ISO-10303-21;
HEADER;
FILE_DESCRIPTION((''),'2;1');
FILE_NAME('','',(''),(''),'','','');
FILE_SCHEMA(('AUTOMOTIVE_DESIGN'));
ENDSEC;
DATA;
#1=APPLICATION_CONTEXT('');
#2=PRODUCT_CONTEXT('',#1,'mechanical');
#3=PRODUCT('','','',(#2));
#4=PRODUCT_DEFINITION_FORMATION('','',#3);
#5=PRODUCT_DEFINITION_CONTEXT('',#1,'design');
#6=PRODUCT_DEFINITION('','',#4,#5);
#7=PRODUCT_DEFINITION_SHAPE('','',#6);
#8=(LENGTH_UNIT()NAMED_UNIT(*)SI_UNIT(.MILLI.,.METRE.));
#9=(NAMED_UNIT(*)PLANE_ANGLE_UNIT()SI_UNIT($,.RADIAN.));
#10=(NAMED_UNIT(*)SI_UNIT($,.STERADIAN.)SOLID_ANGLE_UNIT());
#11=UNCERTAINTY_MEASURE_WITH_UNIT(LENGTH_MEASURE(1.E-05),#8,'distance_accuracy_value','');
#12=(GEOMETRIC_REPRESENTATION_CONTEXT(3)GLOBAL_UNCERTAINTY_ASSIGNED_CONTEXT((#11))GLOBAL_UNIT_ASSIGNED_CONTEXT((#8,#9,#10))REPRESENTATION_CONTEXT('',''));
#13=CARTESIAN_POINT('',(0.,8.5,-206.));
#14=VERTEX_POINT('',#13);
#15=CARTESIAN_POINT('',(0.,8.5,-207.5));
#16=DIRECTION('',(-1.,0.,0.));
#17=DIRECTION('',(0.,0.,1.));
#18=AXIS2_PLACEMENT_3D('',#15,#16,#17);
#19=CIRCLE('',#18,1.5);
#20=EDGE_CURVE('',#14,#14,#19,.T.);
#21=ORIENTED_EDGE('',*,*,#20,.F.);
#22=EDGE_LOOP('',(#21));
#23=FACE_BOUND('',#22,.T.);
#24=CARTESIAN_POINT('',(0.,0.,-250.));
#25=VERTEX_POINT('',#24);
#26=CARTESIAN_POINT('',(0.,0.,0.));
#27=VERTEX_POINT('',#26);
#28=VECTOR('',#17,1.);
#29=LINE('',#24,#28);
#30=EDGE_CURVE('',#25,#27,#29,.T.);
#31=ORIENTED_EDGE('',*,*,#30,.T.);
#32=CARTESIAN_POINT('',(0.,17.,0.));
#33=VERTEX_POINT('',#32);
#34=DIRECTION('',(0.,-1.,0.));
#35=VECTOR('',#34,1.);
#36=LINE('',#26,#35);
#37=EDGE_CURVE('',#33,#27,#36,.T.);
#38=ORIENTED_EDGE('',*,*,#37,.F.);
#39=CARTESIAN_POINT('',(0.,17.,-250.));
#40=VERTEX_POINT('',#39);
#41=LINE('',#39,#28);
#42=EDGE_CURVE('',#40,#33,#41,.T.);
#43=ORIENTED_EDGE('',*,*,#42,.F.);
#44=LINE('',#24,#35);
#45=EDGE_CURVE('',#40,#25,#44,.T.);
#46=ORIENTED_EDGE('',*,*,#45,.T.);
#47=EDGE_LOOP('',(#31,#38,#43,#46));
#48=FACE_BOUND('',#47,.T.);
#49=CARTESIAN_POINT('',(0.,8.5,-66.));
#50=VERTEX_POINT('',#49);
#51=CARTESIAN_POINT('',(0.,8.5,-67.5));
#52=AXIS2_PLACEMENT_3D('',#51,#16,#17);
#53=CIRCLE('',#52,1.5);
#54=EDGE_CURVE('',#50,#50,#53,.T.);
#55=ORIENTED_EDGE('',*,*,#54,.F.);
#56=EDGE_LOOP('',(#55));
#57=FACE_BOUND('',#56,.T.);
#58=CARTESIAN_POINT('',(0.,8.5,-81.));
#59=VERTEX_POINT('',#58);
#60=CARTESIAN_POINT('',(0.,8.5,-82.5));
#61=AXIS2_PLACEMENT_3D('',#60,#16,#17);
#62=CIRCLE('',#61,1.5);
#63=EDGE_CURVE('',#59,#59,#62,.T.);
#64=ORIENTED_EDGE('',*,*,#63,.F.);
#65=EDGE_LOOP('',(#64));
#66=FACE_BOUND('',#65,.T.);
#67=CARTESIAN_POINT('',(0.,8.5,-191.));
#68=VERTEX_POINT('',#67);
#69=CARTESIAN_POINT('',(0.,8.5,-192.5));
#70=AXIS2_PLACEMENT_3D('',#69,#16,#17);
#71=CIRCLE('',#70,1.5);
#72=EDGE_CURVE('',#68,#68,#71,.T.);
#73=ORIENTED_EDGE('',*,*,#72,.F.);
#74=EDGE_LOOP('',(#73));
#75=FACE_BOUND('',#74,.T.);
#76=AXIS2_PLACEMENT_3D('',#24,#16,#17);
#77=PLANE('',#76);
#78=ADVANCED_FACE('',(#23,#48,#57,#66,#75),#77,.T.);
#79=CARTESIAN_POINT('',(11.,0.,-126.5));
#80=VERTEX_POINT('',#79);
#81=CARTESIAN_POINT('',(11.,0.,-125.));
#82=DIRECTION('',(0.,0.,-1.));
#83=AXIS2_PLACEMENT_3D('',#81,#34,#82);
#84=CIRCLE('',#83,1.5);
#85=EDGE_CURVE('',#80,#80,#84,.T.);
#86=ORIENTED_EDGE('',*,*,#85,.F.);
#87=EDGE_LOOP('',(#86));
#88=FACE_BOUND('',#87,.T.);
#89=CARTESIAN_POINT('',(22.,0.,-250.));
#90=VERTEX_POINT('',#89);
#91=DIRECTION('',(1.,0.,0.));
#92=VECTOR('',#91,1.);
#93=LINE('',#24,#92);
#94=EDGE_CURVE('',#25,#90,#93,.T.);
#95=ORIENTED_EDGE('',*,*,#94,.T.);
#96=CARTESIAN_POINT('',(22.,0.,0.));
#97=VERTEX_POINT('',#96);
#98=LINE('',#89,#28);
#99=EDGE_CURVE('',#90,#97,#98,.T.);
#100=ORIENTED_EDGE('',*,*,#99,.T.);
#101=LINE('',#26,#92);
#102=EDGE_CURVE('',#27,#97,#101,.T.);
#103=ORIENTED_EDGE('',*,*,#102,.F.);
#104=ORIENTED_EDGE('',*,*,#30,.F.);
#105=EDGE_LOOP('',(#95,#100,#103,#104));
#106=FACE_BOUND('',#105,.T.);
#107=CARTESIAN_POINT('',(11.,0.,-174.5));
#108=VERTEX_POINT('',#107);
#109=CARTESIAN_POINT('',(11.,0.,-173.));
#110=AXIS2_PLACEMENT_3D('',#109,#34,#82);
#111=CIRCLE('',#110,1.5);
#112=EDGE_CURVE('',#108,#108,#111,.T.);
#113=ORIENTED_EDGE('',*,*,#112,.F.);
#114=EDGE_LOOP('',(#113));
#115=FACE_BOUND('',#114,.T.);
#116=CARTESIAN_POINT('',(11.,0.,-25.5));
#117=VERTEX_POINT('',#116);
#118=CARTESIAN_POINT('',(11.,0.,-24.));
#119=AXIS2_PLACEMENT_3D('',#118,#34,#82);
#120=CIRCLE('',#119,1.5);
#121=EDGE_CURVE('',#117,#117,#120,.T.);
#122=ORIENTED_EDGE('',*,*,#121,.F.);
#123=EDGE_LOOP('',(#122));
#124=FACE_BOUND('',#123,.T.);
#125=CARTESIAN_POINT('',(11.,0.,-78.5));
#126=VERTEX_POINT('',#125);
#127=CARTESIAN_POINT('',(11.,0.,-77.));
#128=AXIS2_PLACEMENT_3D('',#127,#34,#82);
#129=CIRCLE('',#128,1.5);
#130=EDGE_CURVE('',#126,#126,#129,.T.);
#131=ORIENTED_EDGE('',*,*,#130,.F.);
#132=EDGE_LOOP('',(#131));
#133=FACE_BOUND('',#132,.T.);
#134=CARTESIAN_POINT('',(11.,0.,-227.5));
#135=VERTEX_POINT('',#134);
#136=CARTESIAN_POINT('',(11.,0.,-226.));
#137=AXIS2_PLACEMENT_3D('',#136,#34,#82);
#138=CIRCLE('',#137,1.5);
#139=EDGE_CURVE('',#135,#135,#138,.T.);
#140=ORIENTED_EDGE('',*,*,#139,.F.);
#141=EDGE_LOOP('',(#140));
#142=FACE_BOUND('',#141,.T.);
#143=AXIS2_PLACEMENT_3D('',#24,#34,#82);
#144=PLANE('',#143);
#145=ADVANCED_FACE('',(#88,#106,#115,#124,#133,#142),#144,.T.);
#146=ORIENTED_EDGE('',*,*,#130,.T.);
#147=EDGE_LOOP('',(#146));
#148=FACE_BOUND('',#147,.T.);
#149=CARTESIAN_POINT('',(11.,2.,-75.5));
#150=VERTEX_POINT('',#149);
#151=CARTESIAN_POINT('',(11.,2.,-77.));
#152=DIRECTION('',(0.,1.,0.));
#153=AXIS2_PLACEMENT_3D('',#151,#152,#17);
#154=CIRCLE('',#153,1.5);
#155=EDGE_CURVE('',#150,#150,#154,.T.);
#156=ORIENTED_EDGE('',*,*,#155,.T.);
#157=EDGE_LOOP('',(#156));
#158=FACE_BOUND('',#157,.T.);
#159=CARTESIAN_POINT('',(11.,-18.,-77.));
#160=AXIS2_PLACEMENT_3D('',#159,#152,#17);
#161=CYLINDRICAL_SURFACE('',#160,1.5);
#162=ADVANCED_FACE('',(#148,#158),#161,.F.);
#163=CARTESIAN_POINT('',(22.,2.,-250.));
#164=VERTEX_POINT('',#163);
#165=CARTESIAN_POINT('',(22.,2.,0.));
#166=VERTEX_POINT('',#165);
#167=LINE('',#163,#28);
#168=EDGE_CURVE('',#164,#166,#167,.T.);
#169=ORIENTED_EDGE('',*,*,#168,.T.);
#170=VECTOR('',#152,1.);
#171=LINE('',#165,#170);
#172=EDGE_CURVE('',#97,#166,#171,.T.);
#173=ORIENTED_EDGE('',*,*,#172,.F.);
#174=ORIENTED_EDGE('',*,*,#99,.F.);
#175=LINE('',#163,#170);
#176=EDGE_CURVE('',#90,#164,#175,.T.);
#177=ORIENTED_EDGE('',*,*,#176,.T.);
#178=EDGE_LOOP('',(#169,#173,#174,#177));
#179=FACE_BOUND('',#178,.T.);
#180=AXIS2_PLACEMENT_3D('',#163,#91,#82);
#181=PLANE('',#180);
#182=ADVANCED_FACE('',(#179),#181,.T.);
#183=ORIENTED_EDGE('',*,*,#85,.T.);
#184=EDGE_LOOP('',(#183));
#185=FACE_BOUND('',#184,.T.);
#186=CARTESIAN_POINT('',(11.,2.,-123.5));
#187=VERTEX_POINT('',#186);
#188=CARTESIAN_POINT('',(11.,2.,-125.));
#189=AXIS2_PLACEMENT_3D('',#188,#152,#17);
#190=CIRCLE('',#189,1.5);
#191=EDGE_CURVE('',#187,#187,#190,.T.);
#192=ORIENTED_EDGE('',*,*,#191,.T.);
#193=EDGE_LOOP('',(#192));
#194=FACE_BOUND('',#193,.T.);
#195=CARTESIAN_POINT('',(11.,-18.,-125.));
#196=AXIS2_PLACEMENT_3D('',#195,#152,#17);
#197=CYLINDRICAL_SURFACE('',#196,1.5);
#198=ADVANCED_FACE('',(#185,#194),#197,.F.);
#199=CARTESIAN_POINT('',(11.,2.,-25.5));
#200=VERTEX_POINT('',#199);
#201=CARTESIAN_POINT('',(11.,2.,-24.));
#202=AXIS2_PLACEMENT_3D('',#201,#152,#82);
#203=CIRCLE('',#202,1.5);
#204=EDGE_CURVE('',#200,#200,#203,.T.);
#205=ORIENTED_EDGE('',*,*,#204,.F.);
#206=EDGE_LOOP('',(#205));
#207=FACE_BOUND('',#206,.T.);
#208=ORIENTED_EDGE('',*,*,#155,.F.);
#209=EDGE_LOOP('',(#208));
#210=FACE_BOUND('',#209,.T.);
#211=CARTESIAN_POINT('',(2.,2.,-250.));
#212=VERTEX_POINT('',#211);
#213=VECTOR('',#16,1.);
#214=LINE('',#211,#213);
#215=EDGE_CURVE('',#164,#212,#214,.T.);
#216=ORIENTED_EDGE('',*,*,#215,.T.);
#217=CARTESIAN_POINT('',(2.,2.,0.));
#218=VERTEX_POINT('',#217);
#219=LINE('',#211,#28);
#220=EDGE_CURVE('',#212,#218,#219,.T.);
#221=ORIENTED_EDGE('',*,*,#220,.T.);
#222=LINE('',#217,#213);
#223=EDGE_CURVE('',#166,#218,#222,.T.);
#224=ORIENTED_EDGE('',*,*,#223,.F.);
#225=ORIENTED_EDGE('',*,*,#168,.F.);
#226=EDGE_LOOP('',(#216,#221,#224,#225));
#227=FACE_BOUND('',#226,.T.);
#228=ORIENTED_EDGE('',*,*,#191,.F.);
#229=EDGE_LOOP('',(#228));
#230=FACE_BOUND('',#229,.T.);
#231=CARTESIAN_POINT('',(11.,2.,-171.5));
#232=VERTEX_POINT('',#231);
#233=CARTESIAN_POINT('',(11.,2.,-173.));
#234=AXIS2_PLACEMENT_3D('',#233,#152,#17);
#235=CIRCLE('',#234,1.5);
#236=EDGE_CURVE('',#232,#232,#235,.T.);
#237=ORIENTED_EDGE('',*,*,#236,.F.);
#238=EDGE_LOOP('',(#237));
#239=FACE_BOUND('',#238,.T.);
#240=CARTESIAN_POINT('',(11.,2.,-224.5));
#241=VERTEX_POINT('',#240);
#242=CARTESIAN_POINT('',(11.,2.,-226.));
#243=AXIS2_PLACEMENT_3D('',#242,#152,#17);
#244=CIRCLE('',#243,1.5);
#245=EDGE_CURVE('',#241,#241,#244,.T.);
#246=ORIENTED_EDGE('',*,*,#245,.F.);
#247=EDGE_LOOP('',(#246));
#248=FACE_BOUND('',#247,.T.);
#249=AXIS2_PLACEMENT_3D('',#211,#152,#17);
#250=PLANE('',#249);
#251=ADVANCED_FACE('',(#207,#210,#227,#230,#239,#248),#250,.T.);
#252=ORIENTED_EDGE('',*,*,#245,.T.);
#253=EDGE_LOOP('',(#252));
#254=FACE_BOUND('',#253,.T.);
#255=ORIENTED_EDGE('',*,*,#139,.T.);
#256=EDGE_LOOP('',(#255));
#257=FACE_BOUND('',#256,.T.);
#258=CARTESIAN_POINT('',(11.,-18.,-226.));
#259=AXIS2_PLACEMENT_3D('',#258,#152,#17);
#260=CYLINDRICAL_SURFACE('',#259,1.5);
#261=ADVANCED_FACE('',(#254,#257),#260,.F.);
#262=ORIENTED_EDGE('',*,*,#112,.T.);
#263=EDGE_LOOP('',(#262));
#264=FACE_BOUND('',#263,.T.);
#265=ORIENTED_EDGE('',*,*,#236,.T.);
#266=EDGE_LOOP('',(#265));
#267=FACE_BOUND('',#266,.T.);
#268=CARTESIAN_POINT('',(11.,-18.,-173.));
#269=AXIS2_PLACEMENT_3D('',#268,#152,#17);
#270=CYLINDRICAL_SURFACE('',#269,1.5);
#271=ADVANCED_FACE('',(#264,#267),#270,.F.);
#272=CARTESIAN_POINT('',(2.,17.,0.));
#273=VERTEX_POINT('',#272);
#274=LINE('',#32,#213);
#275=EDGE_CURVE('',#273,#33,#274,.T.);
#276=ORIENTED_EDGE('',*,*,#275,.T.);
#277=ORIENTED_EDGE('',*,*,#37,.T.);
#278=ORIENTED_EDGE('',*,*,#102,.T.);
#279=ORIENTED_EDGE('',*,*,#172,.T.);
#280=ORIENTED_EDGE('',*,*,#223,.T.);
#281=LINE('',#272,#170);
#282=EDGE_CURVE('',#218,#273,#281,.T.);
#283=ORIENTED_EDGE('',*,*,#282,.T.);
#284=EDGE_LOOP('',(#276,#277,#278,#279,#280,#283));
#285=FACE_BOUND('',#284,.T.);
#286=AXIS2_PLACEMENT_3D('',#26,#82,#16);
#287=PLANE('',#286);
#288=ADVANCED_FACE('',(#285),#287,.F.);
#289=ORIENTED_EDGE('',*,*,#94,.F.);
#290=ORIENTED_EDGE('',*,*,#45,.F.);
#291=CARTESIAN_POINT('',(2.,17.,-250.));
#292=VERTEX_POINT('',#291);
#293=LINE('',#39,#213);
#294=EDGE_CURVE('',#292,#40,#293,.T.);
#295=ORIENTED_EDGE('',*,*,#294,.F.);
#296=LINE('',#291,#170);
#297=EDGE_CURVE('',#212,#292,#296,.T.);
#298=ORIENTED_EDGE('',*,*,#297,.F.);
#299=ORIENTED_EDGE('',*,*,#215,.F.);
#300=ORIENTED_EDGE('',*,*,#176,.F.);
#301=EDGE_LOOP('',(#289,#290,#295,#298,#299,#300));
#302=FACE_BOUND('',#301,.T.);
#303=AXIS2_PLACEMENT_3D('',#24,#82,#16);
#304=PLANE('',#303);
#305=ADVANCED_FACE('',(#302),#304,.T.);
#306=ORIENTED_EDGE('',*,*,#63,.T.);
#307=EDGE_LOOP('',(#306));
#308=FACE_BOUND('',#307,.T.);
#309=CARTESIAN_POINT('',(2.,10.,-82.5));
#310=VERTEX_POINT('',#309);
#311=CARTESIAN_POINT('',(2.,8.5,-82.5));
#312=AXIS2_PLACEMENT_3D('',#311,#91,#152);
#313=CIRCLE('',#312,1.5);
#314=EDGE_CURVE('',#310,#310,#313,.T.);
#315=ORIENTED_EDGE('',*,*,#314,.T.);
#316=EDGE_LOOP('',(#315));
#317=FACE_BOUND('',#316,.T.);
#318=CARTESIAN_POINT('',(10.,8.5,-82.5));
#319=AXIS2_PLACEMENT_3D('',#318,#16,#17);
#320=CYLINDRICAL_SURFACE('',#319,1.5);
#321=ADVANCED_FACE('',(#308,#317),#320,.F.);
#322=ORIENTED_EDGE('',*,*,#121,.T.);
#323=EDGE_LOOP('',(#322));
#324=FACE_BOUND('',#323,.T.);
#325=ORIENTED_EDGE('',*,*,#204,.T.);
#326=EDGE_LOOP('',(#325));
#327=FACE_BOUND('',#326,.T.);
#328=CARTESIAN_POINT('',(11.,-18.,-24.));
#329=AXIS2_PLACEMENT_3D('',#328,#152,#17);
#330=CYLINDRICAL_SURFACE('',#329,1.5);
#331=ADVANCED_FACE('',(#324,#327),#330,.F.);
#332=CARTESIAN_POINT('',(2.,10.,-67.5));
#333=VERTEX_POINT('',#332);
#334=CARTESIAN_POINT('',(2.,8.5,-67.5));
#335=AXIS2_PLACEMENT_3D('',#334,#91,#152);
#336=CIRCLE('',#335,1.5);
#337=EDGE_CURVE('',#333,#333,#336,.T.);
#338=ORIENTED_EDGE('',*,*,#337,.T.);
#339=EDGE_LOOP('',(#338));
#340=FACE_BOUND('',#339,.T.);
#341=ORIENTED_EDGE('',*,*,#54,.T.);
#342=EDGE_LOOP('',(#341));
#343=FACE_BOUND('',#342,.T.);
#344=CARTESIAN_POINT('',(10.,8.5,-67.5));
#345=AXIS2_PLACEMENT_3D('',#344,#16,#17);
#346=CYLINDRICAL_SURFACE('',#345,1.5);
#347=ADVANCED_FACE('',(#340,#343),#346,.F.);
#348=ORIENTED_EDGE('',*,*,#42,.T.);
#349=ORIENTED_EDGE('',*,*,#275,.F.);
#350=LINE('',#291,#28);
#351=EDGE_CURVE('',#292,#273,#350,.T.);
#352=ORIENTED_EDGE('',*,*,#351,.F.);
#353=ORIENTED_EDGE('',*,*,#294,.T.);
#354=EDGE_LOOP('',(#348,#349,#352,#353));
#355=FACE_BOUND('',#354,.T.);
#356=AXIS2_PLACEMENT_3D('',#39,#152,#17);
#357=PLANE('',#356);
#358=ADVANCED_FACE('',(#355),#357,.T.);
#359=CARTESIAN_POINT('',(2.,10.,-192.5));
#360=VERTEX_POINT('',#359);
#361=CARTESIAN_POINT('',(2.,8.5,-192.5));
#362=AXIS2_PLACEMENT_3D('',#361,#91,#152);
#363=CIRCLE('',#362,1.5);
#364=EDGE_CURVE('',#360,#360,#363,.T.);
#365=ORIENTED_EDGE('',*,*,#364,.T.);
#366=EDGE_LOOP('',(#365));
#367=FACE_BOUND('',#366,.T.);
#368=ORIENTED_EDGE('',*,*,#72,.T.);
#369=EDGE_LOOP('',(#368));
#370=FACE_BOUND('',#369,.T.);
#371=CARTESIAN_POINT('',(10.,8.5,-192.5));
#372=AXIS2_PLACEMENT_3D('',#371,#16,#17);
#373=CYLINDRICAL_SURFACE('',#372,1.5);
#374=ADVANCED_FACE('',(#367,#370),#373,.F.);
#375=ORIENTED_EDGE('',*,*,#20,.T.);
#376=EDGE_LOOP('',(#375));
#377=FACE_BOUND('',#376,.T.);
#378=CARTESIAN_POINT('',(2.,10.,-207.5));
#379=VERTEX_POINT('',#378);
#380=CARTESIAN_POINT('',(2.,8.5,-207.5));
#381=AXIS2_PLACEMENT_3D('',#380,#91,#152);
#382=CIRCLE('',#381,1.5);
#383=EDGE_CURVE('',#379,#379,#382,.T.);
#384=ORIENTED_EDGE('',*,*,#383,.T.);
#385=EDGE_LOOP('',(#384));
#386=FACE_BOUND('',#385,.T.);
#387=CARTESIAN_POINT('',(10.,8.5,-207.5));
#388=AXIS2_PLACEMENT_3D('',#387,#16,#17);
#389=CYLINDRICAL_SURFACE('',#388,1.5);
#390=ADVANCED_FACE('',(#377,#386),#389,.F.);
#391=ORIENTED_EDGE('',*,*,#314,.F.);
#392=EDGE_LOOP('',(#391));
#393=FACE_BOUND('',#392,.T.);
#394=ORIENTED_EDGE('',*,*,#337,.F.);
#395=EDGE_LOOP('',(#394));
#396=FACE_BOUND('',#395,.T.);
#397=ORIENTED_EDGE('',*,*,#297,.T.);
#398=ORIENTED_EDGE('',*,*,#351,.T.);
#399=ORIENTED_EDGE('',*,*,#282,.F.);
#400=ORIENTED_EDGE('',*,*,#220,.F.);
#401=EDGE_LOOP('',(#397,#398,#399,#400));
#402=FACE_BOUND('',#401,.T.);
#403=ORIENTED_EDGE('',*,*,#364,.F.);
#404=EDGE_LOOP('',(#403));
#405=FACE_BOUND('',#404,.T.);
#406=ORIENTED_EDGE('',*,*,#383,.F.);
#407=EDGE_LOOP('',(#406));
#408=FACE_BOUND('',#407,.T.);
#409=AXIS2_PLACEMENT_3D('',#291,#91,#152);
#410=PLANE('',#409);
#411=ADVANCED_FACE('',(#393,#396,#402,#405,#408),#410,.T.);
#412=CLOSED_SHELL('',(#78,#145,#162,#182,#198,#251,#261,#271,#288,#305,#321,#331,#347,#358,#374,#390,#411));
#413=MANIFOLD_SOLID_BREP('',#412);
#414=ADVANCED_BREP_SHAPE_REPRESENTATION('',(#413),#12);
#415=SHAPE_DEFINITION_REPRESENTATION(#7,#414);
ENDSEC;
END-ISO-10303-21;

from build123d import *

# Parameters (mm, degrees)
BOSS_EXTRUDE1_DEPTH = 250
SKETCH2_R           = 1.5
CUT_EXTRUDE1_DEPTH  = 20
SKETCH3_R           = 1.5
CUT_EXTRUDE2_DEPTH  = 10


with BuildPart() as part:
    # Sketch1 → Boss-Extrude1 (new body)
    with BuildSketch(Plane.XY):
        Polygon((0, 0), (0, 17), (2, 17), (2, 2), (22, 2), (22, 0), align=None)
    extrude(amount=-BOSS_EXTRUDE1_DEPTH)

    # Sketch2 → Cut-Extrude1 (cut)
    with BuildSketch(Plane(origin=(0, 2, 0), x_dir=(1, 0, 0), z_dir=(0, 1, 0))):
        with Locations(Location((11, 226, 0), (0, 0, 270))):
            Circle(SKETCH2_R)
        with Locations(Location((11, 24, 0), (0, 0, 90))):
            Circle(SKETCH2_R)
        with Locations(Location((11, 125, 0), (0, 0, 270))):
            Circle(SKETCH2_R)
        with Locations(Location((11, 173, 0), (0, 0, 270))):
            Circle(SKETCH2_R)
        with Locations(Location((11, 77, 0), (0, 0, 270))):
            Circle(SKETCH2_R)
    extrude(amount=-CUT_EXTRUDE1_DEPTH, mode=Mode.SUBTRACT)

    # Sketch3 → Cut-Extrude2 (cut)
    with BuildSketch(Plane.ZY):
        with Locations((-207.5, 8.5)):
            Circle(SKETCH3_R)
        with Locations((-192.5, 8.5)):
            Circle(SKETCH3_R)
        with Locations((-67.5, 8.5)):
            Circle(SKETCH3_R)
        with Locations((-82.5, 8.5)):
            Circle(SKETCH3_R)
    extrude(amount=-CUT_EXTRUDE2_DEPTH, mode=Mode.SUBTRACT)


solid = part.part
